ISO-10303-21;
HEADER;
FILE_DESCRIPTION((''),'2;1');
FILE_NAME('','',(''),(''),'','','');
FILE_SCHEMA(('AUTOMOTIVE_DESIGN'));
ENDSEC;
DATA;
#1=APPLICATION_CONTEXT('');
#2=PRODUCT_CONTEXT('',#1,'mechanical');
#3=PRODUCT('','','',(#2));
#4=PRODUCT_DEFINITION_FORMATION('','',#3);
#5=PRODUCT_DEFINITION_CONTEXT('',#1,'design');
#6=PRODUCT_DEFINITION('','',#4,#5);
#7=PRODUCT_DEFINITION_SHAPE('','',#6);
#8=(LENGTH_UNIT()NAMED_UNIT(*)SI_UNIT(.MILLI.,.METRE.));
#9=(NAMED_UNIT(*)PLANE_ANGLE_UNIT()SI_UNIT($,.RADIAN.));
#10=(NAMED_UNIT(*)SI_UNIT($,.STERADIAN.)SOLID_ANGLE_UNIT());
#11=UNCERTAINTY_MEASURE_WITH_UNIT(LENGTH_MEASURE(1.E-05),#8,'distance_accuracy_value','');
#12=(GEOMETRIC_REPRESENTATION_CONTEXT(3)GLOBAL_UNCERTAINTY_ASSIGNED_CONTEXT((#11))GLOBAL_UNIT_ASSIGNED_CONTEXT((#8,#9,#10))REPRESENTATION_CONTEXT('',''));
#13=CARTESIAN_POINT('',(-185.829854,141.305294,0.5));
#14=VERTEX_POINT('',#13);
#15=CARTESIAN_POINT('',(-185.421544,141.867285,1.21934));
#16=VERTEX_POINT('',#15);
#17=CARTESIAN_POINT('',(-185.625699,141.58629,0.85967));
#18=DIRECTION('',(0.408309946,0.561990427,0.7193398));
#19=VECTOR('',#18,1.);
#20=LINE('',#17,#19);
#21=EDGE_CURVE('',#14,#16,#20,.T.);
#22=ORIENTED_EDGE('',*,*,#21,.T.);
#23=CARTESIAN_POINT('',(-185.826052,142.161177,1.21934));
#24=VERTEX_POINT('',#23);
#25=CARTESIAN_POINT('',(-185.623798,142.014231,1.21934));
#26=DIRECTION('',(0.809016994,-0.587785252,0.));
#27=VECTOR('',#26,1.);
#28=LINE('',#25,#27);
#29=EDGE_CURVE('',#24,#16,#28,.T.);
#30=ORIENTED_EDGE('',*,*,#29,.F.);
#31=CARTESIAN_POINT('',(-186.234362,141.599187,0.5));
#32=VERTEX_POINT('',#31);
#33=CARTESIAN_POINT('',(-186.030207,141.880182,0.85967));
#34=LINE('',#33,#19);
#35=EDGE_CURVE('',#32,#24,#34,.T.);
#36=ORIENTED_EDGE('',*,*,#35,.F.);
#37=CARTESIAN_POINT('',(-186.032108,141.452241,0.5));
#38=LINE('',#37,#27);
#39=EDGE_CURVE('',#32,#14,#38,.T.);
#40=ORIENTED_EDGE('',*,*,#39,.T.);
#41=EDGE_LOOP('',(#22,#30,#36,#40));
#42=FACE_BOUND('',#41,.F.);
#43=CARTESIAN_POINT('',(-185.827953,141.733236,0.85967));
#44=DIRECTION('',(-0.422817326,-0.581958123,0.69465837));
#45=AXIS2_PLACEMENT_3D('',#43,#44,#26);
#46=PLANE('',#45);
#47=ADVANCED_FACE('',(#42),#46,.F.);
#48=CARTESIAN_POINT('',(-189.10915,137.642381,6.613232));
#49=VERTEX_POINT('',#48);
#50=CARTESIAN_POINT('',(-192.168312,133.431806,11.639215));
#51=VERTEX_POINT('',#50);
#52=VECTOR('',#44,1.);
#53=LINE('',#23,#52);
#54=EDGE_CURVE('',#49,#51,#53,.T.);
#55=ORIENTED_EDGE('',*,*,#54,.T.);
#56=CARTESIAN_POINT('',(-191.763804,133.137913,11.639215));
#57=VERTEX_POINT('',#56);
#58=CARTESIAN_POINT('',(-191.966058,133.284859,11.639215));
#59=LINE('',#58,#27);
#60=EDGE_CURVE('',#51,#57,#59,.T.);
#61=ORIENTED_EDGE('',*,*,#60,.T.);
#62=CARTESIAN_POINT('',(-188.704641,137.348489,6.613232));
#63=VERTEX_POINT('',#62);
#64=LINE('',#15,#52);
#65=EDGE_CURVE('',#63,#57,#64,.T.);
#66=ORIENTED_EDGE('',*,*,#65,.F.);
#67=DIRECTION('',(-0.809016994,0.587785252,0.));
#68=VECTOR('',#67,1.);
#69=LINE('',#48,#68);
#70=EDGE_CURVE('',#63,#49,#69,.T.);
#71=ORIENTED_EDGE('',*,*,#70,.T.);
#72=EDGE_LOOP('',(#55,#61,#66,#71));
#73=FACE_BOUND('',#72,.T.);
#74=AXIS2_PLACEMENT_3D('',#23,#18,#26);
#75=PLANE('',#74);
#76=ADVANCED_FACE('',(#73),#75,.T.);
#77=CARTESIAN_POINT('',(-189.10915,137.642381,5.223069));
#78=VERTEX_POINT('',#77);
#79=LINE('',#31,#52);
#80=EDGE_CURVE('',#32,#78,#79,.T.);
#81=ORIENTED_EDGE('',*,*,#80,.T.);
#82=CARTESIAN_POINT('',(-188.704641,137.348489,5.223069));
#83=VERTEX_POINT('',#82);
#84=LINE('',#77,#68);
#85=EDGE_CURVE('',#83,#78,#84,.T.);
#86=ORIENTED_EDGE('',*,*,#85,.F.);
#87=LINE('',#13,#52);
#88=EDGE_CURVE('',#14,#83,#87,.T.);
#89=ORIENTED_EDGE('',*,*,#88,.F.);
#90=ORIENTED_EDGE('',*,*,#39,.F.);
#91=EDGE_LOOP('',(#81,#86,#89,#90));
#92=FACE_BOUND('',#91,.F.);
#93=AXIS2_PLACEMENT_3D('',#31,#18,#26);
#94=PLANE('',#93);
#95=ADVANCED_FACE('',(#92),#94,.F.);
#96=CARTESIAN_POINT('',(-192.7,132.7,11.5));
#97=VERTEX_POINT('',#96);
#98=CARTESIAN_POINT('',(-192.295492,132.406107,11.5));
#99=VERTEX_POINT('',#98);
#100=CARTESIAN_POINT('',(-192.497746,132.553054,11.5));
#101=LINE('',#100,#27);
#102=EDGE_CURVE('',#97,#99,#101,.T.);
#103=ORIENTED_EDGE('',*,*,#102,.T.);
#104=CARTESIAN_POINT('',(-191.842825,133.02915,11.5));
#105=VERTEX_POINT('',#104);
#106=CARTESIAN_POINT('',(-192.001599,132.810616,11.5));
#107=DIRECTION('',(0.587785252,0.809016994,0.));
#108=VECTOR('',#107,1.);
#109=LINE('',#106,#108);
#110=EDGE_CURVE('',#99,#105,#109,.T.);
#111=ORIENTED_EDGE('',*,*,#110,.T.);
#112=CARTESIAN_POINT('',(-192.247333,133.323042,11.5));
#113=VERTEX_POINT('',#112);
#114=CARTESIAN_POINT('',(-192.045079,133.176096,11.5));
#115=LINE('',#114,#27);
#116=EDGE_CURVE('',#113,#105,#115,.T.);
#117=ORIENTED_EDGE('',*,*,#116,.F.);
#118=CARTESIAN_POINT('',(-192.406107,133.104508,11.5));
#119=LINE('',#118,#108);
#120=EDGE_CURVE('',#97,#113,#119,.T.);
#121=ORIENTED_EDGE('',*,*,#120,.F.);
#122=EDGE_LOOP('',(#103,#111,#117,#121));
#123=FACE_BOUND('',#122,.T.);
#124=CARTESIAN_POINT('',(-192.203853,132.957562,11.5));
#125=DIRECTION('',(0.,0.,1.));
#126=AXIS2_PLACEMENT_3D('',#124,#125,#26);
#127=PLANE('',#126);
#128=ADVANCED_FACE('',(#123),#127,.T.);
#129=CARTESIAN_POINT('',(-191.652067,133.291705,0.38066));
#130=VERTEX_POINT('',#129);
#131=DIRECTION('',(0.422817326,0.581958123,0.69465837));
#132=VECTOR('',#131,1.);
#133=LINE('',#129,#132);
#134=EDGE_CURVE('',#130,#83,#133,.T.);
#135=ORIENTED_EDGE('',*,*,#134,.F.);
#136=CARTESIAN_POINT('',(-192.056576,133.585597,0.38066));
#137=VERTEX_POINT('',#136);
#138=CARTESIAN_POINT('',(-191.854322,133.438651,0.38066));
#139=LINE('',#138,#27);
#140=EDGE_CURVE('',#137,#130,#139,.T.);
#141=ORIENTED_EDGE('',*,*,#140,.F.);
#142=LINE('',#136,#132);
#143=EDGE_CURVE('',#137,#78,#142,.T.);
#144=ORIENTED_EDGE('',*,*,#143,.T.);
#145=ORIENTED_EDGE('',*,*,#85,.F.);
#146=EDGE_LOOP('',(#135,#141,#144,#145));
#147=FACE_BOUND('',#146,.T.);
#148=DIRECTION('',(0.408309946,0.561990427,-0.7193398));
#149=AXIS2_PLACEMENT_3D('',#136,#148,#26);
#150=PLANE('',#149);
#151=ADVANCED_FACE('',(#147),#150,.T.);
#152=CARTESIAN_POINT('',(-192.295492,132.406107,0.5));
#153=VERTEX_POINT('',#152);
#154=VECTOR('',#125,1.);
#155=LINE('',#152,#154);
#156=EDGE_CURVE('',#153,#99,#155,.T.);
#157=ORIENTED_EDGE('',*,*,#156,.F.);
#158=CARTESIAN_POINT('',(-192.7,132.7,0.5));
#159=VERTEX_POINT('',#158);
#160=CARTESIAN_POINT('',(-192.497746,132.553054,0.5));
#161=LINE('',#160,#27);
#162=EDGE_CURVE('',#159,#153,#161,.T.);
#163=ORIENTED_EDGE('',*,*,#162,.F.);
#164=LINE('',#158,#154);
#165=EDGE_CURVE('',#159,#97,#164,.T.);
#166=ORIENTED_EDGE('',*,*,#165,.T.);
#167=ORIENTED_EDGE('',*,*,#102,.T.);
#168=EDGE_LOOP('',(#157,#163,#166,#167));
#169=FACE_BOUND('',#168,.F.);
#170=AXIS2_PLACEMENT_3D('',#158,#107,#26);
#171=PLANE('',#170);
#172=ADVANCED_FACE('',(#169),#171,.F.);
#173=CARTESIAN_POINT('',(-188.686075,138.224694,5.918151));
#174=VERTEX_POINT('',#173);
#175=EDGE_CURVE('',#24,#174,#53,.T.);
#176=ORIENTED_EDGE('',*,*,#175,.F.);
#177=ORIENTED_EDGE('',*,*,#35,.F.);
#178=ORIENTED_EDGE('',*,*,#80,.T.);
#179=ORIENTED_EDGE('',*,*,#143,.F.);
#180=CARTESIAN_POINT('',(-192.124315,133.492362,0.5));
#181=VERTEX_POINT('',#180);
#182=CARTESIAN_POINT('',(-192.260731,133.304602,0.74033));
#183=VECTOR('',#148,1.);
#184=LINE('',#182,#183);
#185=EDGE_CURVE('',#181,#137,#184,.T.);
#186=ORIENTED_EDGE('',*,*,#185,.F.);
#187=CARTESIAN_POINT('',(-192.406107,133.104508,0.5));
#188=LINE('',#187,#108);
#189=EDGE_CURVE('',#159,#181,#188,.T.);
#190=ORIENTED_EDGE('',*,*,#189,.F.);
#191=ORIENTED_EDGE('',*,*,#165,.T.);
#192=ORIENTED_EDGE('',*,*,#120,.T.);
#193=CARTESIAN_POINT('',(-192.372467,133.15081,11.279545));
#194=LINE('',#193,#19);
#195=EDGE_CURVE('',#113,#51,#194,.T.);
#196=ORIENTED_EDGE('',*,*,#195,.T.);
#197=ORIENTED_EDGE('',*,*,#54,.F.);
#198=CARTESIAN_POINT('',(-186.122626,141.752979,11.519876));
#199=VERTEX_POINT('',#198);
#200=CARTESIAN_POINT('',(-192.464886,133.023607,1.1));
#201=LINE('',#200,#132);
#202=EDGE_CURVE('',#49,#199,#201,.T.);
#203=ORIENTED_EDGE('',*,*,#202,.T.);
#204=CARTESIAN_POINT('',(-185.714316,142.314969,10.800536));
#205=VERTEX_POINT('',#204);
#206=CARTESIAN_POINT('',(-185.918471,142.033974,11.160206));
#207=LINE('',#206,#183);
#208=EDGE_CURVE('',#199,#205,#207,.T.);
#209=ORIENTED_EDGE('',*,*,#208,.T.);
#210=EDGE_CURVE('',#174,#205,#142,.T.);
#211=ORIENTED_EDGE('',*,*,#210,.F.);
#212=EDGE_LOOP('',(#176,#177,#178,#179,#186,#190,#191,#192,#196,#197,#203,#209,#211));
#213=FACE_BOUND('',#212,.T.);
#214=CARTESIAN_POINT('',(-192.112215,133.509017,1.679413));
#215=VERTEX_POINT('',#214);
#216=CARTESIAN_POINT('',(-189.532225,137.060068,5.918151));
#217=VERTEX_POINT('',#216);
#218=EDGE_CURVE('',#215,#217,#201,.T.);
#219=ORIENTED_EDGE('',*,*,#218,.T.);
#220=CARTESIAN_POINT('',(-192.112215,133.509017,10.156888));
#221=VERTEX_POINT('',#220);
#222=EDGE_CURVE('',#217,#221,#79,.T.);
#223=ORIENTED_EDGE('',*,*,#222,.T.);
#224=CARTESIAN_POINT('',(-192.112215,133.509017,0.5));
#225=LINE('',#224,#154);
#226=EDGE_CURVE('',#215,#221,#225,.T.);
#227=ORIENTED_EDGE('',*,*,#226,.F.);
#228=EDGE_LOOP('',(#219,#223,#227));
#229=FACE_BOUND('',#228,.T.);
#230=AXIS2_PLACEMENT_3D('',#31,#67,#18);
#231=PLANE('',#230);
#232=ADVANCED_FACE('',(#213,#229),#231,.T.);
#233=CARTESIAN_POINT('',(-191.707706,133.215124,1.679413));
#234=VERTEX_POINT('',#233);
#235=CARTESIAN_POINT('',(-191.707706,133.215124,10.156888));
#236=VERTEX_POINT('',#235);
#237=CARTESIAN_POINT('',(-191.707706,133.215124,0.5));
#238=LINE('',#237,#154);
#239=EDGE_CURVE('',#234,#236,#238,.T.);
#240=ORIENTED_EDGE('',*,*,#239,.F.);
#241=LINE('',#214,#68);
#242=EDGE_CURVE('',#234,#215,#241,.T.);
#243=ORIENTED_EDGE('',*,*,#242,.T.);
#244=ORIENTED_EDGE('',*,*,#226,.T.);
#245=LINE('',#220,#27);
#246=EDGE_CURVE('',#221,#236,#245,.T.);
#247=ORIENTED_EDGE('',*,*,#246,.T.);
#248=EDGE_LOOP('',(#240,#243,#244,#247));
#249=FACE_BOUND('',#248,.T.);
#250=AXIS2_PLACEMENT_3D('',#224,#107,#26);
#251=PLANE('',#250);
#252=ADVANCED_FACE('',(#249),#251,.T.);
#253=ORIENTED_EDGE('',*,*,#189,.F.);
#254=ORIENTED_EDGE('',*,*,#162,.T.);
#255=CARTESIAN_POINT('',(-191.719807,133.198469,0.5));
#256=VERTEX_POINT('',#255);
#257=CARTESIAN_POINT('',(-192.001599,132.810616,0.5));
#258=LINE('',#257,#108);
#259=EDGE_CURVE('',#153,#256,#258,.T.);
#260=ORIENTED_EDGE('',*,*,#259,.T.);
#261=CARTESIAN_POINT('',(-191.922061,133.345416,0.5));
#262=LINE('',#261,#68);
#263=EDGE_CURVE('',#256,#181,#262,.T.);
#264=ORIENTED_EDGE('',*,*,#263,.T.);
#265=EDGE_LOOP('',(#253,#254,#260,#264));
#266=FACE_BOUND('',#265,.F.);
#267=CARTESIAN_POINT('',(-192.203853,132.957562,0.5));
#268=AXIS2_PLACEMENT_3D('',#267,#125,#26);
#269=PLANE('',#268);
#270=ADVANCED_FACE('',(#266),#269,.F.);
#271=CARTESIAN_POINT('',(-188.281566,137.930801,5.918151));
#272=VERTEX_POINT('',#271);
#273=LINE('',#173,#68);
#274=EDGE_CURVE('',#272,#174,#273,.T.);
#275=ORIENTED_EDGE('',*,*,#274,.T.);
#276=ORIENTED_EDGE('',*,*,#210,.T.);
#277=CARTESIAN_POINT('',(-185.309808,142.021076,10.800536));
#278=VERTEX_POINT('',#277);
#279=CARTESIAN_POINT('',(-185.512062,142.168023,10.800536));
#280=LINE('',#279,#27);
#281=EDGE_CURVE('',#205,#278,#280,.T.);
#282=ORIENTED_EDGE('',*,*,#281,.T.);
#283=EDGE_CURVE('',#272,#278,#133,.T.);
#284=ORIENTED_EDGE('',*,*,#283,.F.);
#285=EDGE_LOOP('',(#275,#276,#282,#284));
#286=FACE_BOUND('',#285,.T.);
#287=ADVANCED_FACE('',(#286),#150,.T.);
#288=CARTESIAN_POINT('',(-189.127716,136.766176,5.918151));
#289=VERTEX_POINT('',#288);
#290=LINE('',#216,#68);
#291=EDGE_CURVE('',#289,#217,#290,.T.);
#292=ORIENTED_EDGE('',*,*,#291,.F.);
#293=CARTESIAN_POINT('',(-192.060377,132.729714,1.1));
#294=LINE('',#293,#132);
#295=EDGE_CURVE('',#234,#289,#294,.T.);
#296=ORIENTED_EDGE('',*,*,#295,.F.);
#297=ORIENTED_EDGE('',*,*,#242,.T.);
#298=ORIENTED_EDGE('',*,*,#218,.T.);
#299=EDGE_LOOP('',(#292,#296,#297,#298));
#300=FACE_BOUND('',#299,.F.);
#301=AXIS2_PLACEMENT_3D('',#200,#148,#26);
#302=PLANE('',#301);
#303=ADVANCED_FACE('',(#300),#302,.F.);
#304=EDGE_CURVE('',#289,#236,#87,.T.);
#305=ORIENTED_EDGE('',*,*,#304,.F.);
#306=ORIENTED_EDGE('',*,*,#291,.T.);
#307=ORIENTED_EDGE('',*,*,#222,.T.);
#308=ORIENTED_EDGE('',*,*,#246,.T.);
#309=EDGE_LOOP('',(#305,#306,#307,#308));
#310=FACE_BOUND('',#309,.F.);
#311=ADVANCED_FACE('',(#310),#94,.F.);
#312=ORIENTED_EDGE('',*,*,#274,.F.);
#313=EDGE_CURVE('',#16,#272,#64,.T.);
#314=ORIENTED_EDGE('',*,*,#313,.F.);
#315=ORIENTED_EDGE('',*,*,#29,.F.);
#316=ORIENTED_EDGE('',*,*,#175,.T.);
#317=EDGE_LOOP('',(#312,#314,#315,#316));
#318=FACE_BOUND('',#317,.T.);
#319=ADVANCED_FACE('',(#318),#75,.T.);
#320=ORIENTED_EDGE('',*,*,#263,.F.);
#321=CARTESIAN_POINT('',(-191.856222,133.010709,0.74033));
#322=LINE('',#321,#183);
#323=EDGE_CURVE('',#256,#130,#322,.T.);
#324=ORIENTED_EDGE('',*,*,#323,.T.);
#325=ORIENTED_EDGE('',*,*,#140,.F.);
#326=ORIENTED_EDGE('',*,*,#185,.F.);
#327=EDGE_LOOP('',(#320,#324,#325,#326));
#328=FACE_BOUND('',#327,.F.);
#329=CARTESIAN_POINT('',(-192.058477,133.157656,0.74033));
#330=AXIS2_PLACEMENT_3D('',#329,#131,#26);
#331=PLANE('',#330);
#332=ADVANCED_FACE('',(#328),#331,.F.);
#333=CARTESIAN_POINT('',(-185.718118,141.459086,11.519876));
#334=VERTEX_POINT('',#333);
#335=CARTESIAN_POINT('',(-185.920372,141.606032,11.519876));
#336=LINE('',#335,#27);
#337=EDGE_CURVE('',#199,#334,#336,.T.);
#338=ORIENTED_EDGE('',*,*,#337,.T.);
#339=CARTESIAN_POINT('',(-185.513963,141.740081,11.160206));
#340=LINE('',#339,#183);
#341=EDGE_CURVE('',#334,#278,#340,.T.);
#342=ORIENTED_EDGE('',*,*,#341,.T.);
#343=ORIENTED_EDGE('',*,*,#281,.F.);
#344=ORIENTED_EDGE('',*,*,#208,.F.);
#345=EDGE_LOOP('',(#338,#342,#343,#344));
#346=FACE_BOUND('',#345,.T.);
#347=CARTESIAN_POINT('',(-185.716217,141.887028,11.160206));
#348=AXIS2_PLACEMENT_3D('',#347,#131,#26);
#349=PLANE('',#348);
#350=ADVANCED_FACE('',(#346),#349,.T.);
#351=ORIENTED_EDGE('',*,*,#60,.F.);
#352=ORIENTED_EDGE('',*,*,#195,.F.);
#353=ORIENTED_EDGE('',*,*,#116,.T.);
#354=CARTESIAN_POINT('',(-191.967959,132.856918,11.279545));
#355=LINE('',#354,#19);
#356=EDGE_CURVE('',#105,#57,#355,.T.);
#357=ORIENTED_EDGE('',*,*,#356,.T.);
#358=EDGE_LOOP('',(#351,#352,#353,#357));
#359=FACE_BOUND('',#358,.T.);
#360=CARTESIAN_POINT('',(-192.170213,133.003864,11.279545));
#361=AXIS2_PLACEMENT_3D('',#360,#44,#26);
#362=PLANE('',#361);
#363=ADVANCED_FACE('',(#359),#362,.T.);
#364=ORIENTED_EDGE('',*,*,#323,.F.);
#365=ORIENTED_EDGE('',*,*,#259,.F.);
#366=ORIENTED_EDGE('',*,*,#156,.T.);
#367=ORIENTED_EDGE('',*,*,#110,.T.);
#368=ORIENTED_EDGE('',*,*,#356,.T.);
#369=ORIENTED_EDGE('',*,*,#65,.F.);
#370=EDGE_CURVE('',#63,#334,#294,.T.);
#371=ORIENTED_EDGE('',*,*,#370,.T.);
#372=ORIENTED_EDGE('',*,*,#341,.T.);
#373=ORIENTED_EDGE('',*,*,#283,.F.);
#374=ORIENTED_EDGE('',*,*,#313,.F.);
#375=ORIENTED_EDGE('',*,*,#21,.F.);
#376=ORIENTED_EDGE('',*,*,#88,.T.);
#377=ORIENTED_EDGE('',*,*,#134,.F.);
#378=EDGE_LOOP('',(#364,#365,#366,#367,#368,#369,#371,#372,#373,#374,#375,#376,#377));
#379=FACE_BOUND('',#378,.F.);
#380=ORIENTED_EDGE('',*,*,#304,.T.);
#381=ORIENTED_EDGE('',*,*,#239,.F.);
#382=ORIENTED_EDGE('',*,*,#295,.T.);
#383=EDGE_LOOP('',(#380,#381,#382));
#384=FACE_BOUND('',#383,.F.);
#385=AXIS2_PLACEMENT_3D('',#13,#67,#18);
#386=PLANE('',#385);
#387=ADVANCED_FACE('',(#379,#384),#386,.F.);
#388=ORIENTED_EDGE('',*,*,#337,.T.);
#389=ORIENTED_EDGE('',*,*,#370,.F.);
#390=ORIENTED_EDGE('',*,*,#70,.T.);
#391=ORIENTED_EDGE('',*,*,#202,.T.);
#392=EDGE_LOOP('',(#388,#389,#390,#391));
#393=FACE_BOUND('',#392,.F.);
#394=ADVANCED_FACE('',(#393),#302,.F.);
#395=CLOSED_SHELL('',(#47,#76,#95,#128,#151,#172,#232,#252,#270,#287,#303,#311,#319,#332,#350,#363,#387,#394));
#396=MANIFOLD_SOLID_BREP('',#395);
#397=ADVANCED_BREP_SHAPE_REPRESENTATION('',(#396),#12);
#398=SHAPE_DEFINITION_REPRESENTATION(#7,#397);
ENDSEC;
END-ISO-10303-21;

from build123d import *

# Parameters (mm, degrees)
BOX232_W                  = 0.5
BOX232_H                  = 1
BOX232_DEPTH              = 15
BOX232_ROLL_ANGLE         = 46
BOX233_W                  = 0.5
BOX233_H                  = 1
BOX233_DEPTH              = 15
BOX233_ROLL_ANGLE         = -46
BOX231_W                  = 0.5
BOX231_H                  = 1
BOX231_DEPTH              = 11
FUSION020_PLACEMENT_ANGLE = -36


with BuildPart() as cubo232:
    # Box232 → Box232 (new body)
    with BuildSketch(Plane.XY):
        with Locations((0.25, 0.5)):
            Rectangle(BOX232_W, BOX232_H)
    extrude(amount=BOX232_DEPTH)


with BuildPart() as cubo232_1:
    # Box232 roll: moved
    add(cubo232.part.rotate(Axis((0, 0, 0), (1, 0, 0)), BOX232_ROLL_ANGLE))


with BuildPart() as cubo232_2:
    # Box232 placement: moved
    add(cubo232_1.part.moved(Location((0, 11, 0.5))))


with BuildPart() as cubo233:
    # Box233 → Box233 (new body)
    with BuildSketch(Plane.XY):
        with Locations((0.25, 0.5)):
            Rectangle(BOX233_W, BOX233_H)
    extrude(amount=BOX233_DEPTH)


with BuildPart() as cubo233_1:
    # Box233 roll: moved
    add(cubo233.part.rotate(Axis((0, 0, 0), (1, 0, 0)), BOX233_ROLL_ANGLE))


with BuildPart() as cubo233_2:
    # Box233 placement: moved
    add(cubo233_1.part.moved(Location((0, 0.4, 1.1))))


with BuildPart() as fusion020:
    # Box231 → Box231 (new body)
    with BuildSketch(Plane.XY.offset(0.5)):
        with Locations((0.25, 0.5)):
            Rectangle(BOX231_W, BOX231_H)
    extrude(amount=BOX231_DEPTH)

    # Fusion020: union Cubo232, Cubo233
    add(cubo232_2.part)
    add(cubo233_2.part)


with BuildPart() as fusion020_1:
    # Fusion020 placement: moved
    add(fusion020.part.moved(Location((-192.7, 132.7, 0))).rotate(Axis((-192.7, 132.7, 0), (0, 0, 1)), FUSION020_PLACEMENT_ANGLE))


solid = fusion020_1.part
